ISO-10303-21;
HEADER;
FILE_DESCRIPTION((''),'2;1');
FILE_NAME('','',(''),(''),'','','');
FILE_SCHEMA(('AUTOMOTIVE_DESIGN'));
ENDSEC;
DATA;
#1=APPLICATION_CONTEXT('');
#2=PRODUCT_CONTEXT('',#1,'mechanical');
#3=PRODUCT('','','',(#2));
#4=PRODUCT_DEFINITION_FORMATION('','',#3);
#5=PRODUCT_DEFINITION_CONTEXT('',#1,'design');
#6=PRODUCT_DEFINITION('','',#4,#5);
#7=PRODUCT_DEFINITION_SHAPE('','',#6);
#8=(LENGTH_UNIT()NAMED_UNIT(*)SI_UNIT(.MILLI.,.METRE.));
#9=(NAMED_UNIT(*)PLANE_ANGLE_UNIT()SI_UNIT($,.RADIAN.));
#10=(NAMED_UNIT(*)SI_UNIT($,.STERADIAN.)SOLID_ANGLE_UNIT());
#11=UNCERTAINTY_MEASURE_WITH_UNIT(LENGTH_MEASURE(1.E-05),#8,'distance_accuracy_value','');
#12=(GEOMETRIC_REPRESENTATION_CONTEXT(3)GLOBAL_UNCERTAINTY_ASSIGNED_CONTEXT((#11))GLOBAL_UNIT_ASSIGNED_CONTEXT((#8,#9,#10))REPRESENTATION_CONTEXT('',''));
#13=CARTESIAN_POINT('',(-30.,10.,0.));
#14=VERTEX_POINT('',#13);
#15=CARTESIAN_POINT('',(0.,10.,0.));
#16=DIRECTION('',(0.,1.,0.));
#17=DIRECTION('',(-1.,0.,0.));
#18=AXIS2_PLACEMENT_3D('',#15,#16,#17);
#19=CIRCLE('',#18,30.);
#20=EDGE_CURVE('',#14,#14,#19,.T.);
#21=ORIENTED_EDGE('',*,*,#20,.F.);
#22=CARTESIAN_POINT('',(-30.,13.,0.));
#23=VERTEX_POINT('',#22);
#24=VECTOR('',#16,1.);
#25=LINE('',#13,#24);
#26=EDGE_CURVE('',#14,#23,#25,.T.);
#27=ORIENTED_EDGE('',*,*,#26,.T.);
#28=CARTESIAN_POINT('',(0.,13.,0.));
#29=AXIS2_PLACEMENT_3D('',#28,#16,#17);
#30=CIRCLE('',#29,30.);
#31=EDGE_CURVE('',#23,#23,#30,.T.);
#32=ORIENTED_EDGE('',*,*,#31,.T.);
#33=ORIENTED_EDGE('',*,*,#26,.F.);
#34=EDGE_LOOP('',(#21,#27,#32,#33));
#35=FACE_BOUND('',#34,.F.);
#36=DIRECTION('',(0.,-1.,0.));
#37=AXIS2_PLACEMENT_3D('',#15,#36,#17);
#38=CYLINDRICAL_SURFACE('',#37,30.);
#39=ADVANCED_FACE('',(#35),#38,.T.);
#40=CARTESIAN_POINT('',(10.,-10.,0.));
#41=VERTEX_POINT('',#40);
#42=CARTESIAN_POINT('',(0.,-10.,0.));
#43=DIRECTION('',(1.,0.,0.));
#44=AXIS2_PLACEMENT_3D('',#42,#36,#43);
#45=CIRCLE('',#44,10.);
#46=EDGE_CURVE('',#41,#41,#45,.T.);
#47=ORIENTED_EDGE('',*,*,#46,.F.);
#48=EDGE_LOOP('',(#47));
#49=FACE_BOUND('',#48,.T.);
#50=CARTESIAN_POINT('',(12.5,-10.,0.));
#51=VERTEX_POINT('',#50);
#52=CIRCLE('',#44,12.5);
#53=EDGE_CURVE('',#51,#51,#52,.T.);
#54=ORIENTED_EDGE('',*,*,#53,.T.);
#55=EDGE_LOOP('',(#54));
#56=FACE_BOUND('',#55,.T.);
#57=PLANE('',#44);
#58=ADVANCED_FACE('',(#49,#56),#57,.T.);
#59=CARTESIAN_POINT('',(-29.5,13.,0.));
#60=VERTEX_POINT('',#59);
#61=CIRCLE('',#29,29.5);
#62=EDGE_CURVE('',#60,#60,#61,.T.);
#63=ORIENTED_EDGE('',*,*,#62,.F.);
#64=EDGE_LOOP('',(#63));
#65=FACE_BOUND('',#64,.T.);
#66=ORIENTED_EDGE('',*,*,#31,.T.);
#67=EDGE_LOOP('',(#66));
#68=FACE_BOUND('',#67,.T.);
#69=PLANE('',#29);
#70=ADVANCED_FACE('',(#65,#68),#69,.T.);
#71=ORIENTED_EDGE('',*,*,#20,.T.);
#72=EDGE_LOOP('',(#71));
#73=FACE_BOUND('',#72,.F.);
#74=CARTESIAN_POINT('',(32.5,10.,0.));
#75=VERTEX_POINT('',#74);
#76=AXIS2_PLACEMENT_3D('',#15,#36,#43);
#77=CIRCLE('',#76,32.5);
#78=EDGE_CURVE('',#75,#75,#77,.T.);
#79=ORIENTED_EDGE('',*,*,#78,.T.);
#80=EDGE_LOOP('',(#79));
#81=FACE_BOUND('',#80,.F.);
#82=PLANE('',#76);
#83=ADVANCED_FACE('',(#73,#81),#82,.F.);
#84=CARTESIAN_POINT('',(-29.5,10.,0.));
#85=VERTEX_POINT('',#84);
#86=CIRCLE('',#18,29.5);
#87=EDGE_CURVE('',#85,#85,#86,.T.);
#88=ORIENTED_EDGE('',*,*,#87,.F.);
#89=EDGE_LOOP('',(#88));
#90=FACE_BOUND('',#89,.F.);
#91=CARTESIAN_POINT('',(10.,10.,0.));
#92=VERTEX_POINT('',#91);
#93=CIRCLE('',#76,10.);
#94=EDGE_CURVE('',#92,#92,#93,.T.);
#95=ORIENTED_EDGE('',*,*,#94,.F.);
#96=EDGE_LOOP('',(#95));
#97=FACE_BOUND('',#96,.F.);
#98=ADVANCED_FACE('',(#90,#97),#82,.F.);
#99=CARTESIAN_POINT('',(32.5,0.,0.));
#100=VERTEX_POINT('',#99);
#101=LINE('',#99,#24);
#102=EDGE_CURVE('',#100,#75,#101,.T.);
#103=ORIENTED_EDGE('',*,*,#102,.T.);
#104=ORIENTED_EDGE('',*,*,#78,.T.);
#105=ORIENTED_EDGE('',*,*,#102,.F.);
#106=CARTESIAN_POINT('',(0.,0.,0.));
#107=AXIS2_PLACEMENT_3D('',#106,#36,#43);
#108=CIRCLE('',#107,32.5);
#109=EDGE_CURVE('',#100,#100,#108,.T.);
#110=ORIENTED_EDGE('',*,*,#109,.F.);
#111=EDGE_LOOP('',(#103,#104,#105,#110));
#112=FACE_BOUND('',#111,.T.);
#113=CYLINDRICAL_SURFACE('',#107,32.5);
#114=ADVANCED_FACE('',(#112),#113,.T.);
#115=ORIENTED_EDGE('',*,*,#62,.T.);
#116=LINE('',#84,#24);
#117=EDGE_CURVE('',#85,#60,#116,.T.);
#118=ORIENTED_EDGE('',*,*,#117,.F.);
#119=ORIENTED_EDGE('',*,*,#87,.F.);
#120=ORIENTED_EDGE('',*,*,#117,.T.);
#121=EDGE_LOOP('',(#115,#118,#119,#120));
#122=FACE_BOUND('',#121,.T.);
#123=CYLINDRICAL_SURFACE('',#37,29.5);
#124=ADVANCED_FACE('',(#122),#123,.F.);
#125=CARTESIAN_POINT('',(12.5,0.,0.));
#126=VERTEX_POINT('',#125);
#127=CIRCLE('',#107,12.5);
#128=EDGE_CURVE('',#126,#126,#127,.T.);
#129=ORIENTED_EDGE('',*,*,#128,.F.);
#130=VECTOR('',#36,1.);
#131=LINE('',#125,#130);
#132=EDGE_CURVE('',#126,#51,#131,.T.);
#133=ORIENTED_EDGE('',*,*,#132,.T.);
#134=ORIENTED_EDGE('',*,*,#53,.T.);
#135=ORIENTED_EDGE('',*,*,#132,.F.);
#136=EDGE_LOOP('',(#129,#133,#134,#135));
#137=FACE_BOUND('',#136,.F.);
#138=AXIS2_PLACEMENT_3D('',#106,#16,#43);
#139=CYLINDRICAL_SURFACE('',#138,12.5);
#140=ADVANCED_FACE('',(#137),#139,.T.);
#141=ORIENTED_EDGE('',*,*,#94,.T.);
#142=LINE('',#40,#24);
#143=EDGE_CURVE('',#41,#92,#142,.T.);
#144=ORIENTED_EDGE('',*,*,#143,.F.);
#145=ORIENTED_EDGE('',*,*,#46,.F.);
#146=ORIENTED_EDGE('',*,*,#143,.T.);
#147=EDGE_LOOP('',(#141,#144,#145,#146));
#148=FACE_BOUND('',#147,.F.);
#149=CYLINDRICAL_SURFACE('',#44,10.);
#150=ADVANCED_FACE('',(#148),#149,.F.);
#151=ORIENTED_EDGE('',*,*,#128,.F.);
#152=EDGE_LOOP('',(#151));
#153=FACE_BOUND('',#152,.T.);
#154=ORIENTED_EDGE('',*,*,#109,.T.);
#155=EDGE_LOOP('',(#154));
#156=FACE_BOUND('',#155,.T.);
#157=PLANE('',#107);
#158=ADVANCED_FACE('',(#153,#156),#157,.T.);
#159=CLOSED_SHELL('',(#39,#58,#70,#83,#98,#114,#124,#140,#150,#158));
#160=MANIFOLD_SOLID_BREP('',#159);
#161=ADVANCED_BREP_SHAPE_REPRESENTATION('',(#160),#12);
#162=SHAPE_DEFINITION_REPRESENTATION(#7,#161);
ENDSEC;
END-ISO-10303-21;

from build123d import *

# Parameters (mm, degrees)
F0_R     = 32.5
F1_DEPTH = 10
F2_R     = 12.5
F3_DEPTH = 10
F4_R     = 10
F5_DEPTH = 20
F6_R     = 30
F6_R_2   = 29.5
F7_DEPTH = 3


with BuildPart() as f1:
    # F0 (on Front) → F1 (new body)
    with BuildSketch(Plane.XZ):
        Circle(F0_R)
    extrude(amount=-F1_DEPTH)

    # F2 (on face) → F3 (join)
    with BuildSketch(Plane.XZ):
        Circle(F2_R)
    extrude(amount=F3_DEPTH)

    # F4 (on face) → F5 (cut)
    with BuildSketch(Plane.XZ.offset(10)):
        Circle(F4_R)
    extrude(amount=-F5_DEPTH, mode=Mode.SUBTRACT)

    # F6 (on face) → F7 (join)
    with BuildSketch(Plane(origin=(0, 10, 0), x_dir=(-1, 0, 0), z_dir=(0, 1, 0))):
        Circle(F6_R)
        Circle(F6_R_2, mode=Mode.SUBTRACT)
    extrude(amount=F7_DEPTH)


solid = f1.part
